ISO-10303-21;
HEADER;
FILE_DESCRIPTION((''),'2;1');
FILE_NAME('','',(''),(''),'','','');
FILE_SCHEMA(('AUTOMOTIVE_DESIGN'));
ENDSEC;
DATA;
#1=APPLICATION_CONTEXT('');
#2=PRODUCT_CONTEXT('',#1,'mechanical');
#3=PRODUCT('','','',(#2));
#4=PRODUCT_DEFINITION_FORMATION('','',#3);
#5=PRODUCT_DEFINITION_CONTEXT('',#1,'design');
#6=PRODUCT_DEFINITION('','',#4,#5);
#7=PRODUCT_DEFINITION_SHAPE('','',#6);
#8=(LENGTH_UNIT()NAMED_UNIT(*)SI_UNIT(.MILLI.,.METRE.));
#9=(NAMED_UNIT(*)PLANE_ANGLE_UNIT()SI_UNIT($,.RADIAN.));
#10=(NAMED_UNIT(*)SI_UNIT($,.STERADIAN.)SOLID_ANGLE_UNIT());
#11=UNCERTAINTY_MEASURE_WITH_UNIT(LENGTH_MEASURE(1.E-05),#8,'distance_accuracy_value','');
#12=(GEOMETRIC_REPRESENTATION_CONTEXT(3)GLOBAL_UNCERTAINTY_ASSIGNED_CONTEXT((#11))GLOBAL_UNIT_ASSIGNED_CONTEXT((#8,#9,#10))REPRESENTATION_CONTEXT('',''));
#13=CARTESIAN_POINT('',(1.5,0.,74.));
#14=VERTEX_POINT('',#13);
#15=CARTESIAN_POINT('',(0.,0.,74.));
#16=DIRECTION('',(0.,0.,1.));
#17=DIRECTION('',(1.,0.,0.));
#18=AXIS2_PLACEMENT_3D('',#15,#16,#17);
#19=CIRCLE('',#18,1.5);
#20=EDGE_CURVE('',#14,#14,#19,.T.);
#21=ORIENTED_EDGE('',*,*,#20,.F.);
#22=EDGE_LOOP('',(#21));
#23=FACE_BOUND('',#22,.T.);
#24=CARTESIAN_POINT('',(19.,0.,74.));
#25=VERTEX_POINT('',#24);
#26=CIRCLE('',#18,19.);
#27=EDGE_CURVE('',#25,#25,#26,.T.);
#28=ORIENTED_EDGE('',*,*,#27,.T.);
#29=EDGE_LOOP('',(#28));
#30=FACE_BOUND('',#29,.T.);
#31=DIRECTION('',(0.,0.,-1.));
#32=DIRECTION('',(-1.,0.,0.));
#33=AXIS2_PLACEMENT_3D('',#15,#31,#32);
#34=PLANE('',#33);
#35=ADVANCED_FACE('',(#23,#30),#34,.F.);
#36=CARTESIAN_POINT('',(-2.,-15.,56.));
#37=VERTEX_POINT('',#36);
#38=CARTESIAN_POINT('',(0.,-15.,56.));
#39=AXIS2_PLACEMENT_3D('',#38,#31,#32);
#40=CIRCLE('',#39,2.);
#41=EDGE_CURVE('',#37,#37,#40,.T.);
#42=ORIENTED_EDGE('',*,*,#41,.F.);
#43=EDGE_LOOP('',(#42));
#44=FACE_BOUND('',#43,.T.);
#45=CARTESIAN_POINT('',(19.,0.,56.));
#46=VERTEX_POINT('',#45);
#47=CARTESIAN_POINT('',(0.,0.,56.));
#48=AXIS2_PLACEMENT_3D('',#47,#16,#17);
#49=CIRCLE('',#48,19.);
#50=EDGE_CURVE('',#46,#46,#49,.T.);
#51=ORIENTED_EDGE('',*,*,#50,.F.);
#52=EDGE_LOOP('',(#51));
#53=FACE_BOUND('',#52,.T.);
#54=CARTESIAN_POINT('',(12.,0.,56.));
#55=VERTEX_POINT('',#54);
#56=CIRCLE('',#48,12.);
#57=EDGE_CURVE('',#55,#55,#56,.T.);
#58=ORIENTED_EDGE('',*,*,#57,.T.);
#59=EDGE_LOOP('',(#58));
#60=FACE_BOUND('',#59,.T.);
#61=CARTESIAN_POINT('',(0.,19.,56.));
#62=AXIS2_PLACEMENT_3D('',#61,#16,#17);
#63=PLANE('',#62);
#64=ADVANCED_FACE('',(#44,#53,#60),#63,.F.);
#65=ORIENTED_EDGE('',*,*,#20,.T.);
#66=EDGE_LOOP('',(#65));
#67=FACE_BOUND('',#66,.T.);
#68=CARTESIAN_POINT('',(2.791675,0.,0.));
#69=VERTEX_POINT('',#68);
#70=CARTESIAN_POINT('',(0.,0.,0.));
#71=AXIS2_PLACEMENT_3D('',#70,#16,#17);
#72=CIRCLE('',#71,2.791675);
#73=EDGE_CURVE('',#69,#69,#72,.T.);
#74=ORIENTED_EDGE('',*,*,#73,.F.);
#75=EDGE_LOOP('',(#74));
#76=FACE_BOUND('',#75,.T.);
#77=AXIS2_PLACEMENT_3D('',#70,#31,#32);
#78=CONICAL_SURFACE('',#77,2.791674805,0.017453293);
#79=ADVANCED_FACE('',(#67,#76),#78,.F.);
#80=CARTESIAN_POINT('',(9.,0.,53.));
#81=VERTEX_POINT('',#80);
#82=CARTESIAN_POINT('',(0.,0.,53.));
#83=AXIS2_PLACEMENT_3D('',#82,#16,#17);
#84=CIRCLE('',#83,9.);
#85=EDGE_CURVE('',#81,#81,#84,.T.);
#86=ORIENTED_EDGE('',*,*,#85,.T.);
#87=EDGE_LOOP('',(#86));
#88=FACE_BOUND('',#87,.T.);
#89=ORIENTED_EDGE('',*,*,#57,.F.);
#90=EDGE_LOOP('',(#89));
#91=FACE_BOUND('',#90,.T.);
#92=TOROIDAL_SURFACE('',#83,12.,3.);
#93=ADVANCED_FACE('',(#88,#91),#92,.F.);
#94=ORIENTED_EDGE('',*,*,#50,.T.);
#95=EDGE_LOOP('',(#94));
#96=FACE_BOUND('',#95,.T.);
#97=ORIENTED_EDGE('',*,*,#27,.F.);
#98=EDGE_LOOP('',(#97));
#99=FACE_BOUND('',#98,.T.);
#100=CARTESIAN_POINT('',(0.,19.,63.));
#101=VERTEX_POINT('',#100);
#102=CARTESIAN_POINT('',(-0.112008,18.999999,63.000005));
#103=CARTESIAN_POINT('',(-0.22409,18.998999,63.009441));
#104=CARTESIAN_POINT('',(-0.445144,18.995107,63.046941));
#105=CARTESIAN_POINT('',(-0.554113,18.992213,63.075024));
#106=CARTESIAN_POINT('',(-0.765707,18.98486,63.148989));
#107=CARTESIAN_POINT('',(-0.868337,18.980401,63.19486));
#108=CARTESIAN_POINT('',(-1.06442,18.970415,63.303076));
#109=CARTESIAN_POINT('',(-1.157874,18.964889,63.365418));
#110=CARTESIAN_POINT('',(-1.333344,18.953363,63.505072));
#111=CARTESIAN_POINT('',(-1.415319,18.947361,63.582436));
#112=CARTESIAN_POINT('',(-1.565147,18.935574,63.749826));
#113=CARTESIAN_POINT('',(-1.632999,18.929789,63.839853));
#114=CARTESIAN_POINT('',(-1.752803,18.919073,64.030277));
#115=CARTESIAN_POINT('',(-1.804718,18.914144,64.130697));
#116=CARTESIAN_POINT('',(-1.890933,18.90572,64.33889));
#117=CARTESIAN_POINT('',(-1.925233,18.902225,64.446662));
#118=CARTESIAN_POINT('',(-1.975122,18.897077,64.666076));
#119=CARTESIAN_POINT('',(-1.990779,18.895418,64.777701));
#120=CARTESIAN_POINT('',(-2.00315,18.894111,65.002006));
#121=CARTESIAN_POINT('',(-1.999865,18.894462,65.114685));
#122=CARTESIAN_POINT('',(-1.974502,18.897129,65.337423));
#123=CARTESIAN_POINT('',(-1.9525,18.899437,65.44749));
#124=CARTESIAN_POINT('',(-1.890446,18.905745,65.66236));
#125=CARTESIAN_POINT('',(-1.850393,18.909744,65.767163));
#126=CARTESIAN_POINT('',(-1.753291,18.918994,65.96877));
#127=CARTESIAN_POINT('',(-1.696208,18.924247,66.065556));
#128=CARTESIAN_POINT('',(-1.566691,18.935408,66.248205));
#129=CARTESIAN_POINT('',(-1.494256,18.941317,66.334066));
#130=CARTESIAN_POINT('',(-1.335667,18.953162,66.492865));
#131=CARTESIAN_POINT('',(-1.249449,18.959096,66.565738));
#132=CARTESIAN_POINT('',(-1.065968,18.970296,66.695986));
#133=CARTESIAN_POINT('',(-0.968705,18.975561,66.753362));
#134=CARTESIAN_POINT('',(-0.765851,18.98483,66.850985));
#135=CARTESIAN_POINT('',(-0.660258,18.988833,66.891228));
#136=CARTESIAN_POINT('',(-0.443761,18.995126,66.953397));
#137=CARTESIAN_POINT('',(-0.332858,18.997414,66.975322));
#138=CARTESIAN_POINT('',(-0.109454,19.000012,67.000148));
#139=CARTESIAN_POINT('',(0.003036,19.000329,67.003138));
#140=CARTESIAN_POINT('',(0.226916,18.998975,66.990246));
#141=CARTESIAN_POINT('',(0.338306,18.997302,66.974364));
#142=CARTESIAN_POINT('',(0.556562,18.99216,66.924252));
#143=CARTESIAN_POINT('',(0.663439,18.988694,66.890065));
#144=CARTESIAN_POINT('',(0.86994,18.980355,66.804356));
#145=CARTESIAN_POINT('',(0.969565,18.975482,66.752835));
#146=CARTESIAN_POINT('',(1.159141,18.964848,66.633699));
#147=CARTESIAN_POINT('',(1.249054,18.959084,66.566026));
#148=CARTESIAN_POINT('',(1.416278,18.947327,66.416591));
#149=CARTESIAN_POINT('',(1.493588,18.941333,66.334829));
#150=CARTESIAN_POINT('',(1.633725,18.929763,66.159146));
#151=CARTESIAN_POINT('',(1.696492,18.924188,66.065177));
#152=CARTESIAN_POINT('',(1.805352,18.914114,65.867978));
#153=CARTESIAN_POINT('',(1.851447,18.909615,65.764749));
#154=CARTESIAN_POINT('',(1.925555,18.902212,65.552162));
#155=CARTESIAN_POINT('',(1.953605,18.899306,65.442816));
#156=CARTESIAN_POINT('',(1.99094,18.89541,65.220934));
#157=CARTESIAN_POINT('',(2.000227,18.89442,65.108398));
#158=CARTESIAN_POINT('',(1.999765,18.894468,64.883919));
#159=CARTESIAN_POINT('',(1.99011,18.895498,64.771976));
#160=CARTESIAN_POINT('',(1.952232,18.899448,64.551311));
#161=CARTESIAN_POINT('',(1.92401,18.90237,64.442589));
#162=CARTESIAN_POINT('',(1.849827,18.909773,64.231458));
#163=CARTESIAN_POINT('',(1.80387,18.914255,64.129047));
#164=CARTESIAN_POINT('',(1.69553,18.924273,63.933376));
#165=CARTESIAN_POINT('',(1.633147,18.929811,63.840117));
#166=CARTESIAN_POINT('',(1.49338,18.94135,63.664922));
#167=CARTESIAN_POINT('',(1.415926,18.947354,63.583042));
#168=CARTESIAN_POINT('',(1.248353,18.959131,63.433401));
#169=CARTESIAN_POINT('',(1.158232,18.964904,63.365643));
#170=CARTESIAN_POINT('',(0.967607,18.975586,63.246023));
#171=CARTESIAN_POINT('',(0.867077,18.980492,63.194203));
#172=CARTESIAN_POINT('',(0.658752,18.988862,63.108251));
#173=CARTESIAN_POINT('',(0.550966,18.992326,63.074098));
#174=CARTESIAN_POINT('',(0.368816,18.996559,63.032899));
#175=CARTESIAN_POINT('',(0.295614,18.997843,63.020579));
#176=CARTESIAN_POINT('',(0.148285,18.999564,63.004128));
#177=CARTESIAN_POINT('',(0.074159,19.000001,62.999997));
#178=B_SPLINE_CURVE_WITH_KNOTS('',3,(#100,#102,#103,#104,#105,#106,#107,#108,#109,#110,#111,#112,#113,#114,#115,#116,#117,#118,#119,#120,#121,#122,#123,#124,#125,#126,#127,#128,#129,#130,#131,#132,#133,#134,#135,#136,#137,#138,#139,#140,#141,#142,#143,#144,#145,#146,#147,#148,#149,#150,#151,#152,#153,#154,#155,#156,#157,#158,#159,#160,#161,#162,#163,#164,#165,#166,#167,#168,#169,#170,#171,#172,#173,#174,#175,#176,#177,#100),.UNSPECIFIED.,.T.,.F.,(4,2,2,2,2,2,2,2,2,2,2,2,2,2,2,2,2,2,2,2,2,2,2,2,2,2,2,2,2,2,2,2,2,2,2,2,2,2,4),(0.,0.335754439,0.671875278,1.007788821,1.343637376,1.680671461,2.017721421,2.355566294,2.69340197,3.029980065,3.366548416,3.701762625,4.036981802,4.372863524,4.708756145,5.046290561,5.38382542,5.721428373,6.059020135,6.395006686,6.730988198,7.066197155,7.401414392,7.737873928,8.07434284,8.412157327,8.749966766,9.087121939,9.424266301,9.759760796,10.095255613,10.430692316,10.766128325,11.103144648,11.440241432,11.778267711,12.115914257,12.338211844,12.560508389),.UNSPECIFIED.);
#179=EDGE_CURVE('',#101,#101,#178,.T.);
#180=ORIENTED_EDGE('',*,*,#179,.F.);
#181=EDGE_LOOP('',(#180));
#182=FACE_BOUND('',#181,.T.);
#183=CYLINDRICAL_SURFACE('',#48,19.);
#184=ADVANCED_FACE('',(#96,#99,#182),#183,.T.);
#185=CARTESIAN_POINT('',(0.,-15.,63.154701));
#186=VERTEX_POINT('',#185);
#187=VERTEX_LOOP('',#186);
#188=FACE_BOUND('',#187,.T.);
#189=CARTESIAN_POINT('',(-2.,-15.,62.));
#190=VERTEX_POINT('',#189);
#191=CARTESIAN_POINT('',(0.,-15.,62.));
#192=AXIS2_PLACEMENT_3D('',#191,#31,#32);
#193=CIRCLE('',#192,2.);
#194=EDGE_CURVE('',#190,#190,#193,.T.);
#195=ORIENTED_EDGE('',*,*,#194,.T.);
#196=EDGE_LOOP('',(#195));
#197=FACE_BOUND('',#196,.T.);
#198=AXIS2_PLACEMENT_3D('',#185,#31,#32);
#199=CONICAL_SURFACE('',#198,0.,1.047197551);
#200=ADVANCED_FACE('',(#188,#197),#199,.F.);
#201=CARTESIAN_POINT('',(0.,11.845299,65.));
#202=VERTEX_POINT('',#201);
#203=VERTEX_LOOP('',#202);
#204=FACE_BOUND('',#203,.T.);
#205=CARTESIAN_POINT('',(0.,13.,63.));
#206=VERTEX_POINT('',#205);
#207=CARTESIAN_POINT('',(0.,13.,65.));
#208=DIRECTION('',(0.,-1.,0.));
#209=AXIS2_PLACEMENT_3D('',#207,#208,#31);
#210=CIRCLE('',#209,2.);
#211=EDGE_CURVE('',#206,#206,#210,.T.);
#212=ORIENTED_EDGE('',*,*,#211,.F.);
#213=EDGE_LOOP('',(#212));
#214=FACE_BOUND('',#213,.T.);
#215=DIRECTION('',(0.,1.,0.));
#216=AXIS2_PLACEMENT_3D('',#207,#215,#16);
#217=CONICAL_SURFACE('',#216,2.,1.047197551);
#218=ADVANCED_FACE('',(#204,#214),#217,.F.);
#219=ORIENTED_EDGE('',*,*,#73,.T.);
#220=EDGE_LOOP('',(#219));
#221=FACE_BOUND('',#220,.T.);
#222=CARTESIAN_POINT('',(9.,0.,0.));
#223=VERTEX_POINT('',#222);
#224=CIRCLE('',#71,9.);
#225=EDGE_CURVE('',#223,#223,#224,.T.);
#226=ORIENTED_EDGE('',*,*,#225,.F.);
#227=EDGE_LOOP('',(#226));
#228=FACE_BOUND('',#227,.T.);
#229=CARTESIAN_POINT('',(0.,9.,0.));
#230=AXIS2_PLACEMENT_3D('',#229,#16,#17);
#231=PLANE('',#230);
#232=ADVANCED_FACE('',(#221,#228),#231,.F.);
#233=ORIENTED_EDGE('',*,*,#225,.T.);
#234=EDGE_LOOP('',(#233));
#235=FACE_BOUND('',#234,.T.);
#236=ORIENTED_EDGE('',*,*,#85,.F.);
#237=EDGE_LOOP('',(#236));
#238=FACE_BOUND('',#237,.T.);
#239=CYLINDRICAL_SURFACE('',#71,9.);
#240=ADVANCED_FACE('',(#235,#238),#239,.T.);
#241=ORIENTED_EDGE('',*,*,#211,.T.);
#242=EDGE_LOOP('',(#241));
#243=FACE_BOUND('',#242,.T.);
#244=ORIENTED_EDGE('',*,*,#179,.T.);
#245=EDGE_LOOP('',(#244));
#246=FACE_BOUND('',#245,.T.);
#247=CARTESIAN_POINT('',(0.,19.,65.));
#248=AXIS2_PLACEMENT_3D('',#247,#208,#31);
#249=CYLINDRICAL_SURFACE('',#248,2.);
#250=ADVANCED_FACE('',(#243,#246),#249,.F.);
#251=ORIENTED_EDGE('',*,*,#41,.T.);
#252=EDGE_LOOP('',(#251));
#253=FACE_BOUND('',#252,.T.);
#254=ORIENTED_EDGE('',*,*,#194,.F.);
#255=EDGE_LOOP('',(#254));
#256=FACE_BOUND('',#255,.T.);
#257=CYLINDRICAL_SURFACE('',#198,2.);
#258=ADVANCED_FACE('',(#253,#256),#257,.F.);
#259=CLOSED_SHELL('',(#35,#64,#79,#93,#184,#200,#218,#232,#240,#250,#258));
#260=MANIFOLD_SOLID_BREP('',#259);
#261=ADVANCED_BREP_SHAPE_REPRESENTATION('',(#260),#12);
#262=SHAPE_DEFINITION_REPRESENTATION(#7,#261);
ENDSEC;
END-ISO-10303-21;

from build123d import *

# Parameters (mm, degrees)
SZKIC2_W = 56
SZKIC2_H = 9
SZKIC3_W = 18
SZKIC3_H = 19


with BuildPart() as part:
    # Szkic2 → Obrót1 (revolve)
    with BuildSketch(Plane(origin=(0, 0, 0), x_dir=(0, 0, -1), z_dir=(1, 0, 0))):
        with Locations((-28, 4.5)):
            Rectangle(SZKIC2_W, SZKIC2_H)
    revolve(axis=Axis((0, 0, 0), (0, 0, 1)))

    # Szkic3 → Obrót2 (revolve)
    with BuildSketch(Plane(origin=(0, 0, 0), x_dir=(0, 0, -1), z_dir=(1, 0, 0))):
        with Locations((-65, 9.5)):
            Rectangle(SZKIC3_W, SZKIC3_H)
    revolve(axis=Axis((0, 0, 56), (0, 0, 1)))

    # Szkic4 → Wycięcie-obrót1 (revolve, cut)
    with BuildSketch(Plane(origin=(0, 0, 0), x_dir=(0, 0, -1), z_dir=(1, 0, 0))):
        Polygon((-74, 0), (-74, 1.5), (0, 2.791674805), (0, 0), align=None)
    revolve(axis=Axis((0, 0, 0), (0, 0, 1)), mode=Mode.SUBTRACT)

    # Szkic5 → Wycięcie-obrót2 (revolve, cut)
    with BuildSketch(Plane(origin=(0, 0, 0), x_dir=(0, 0, -1), z_dir=(1, 0, 0))):
        Polygon((-65, 11.845299462), (-67, 13), (-67, 19), (-65, 19), align=None)
    revolve(axis=Axis((0, 19, 65), (0, -1, 0)), mode=Mode.SUBTRACT)

    # Szkic6 → Obrót3 (revolve)
    with BuildSketch(Plane(origin=(0, 0, 0), x_dir=(0, 0, -1), z_dir=(1, 0, 0))):
        with BuildLine():
            Line((-56, 9), (-53, 9))
            ThreePointArc((-53, 9), (-55.121320344, 9.878679656), (-56, 12))
            Line((-56, 12), (-56, 9))
        make_face()
    revolve(axis=Axis((0, 0, 0), (0, 0, 1)))

    # Szkic1 → Wycięcie-obrót3 (revolve, cut)
    with BuildSketch(Plane(origin=(0, -15, 0), x_dir=(1, 0, 0), z_dir=(0, 1, 0))):
        Polygon((0, -56), (2, -56), (2, -62), (0, -63.154700538), align=None)
    revolve(axis=Axis((0, -15, 63.154700538), (0, 0, -1)), mode=Mode.SUBTRACT)


solid = part.part
